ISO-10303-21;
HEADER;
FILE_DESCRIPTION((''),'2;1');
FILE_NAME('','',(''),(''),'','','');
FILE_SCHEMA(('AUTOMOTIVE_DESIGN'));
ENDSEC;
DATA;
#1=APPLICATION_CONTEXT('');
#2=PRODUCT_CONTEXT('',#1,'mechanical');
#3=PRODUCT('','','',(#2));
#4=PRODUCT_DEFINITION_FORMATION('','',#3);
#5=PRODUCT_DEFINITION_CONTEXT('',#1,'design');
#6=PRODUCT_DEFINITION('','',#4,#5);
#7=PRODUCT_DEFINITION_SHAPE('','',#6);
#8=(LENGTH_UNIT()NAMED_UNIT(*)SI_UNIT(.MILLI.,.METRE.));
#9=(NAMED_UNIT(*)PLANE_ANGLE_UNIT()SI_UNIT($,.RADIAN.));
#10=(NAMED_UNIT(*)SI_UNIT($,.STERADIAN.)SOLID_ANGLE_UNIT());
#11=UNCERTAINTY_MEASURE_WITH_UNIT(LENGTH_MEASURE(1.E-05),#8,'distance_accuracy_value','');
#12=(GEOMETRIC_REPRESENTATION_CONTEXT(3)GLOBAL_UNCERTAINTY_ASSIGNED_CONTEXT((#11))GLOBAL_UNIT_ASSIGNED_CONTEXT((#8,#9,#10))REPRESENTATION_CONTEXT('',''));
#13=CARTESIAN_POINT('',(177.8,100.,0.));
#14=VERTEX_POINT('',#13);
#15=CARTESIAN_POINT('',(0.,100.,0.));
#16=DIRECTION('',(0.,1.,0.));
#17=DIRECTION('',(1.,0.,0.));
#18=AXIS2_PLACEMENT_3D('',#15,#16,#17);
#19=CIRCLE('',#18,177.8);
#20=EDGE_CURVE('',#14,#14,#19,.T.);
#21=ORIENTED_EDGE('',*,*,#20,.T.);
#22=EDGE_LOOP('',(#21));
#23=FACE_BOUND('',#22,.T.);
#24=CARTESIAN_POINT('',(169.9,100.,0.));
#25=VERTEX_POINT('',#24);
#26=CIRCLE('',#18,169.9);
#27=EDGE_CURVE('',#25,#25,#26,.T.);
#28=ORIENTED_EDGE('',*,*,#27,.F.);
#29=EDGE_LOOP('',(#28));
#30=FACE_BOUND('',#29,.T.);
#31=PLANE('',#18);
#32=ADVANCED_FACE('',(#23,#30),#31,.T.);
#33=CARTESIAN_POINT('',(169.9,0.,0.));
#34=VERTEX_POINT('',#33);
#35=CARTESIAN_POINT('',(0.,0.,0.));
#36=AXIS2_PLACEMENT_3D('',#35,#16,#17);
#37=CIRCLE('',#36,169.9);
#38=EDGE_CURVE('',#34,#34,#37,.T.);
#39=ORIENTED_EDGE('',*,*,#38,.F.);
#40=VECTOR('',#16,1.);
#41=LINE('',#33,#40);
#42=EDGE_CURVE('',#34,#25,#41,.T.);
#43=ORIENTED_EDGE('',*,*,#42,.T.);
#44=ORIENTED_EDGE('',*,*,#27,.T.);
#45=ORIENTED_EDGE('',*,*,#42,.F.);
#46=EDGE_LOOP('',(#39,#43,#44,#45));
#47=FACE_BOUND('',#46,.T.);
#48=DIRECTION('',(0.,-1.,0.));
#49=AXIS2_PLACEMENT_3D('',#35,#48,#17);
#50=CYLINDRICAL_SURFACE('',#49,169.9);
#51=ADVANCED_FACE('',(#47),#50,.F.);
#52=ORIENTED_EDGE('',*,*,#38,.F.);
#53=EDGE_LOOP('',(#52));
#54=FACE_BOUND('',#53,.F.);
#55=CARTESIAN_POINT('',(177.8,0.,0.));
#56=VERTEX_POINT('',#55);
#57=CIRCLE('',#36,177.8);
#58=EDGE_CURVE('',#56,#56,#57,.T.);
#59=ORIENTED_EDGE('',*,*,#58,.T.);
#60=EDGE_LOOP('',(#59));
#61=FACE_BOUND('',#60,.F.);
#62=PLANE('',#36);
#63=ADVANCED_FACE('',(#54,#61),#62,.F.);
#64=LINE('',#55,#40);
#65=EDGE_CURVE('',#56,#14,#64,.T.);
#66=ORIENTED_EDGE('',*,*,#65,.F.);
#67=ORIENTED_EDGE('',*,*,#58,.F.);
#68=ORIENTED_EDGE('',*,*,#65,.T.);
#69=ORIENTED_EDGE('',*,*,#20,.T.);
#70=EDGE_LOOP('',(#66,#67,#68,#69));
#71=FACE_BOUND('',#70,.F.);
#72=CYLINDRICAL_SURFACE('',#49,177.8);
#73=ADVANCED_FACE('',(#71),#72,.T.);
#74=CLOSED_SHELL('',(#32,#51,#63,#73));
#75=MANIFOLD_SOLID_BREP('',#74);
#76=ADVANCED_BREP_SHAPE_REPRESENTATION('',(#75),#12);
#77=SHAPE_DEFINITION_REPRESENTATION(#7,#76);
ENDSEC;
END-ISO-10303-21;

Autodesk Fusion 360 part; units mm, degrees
sketch "スケッチ1" plane through (0, 0, 0) normal (0, 1, 0) x (1, 0, 0)
  circle A0 centre (0, 0) radius 177.8
  circle A1 centre (0, 0) radius 169.9
  dimension "d1" = 355.6
  dimension "d2" = -7.9
extrude "押し出し1" add sketch "スケッチ1" along normal blind 100
